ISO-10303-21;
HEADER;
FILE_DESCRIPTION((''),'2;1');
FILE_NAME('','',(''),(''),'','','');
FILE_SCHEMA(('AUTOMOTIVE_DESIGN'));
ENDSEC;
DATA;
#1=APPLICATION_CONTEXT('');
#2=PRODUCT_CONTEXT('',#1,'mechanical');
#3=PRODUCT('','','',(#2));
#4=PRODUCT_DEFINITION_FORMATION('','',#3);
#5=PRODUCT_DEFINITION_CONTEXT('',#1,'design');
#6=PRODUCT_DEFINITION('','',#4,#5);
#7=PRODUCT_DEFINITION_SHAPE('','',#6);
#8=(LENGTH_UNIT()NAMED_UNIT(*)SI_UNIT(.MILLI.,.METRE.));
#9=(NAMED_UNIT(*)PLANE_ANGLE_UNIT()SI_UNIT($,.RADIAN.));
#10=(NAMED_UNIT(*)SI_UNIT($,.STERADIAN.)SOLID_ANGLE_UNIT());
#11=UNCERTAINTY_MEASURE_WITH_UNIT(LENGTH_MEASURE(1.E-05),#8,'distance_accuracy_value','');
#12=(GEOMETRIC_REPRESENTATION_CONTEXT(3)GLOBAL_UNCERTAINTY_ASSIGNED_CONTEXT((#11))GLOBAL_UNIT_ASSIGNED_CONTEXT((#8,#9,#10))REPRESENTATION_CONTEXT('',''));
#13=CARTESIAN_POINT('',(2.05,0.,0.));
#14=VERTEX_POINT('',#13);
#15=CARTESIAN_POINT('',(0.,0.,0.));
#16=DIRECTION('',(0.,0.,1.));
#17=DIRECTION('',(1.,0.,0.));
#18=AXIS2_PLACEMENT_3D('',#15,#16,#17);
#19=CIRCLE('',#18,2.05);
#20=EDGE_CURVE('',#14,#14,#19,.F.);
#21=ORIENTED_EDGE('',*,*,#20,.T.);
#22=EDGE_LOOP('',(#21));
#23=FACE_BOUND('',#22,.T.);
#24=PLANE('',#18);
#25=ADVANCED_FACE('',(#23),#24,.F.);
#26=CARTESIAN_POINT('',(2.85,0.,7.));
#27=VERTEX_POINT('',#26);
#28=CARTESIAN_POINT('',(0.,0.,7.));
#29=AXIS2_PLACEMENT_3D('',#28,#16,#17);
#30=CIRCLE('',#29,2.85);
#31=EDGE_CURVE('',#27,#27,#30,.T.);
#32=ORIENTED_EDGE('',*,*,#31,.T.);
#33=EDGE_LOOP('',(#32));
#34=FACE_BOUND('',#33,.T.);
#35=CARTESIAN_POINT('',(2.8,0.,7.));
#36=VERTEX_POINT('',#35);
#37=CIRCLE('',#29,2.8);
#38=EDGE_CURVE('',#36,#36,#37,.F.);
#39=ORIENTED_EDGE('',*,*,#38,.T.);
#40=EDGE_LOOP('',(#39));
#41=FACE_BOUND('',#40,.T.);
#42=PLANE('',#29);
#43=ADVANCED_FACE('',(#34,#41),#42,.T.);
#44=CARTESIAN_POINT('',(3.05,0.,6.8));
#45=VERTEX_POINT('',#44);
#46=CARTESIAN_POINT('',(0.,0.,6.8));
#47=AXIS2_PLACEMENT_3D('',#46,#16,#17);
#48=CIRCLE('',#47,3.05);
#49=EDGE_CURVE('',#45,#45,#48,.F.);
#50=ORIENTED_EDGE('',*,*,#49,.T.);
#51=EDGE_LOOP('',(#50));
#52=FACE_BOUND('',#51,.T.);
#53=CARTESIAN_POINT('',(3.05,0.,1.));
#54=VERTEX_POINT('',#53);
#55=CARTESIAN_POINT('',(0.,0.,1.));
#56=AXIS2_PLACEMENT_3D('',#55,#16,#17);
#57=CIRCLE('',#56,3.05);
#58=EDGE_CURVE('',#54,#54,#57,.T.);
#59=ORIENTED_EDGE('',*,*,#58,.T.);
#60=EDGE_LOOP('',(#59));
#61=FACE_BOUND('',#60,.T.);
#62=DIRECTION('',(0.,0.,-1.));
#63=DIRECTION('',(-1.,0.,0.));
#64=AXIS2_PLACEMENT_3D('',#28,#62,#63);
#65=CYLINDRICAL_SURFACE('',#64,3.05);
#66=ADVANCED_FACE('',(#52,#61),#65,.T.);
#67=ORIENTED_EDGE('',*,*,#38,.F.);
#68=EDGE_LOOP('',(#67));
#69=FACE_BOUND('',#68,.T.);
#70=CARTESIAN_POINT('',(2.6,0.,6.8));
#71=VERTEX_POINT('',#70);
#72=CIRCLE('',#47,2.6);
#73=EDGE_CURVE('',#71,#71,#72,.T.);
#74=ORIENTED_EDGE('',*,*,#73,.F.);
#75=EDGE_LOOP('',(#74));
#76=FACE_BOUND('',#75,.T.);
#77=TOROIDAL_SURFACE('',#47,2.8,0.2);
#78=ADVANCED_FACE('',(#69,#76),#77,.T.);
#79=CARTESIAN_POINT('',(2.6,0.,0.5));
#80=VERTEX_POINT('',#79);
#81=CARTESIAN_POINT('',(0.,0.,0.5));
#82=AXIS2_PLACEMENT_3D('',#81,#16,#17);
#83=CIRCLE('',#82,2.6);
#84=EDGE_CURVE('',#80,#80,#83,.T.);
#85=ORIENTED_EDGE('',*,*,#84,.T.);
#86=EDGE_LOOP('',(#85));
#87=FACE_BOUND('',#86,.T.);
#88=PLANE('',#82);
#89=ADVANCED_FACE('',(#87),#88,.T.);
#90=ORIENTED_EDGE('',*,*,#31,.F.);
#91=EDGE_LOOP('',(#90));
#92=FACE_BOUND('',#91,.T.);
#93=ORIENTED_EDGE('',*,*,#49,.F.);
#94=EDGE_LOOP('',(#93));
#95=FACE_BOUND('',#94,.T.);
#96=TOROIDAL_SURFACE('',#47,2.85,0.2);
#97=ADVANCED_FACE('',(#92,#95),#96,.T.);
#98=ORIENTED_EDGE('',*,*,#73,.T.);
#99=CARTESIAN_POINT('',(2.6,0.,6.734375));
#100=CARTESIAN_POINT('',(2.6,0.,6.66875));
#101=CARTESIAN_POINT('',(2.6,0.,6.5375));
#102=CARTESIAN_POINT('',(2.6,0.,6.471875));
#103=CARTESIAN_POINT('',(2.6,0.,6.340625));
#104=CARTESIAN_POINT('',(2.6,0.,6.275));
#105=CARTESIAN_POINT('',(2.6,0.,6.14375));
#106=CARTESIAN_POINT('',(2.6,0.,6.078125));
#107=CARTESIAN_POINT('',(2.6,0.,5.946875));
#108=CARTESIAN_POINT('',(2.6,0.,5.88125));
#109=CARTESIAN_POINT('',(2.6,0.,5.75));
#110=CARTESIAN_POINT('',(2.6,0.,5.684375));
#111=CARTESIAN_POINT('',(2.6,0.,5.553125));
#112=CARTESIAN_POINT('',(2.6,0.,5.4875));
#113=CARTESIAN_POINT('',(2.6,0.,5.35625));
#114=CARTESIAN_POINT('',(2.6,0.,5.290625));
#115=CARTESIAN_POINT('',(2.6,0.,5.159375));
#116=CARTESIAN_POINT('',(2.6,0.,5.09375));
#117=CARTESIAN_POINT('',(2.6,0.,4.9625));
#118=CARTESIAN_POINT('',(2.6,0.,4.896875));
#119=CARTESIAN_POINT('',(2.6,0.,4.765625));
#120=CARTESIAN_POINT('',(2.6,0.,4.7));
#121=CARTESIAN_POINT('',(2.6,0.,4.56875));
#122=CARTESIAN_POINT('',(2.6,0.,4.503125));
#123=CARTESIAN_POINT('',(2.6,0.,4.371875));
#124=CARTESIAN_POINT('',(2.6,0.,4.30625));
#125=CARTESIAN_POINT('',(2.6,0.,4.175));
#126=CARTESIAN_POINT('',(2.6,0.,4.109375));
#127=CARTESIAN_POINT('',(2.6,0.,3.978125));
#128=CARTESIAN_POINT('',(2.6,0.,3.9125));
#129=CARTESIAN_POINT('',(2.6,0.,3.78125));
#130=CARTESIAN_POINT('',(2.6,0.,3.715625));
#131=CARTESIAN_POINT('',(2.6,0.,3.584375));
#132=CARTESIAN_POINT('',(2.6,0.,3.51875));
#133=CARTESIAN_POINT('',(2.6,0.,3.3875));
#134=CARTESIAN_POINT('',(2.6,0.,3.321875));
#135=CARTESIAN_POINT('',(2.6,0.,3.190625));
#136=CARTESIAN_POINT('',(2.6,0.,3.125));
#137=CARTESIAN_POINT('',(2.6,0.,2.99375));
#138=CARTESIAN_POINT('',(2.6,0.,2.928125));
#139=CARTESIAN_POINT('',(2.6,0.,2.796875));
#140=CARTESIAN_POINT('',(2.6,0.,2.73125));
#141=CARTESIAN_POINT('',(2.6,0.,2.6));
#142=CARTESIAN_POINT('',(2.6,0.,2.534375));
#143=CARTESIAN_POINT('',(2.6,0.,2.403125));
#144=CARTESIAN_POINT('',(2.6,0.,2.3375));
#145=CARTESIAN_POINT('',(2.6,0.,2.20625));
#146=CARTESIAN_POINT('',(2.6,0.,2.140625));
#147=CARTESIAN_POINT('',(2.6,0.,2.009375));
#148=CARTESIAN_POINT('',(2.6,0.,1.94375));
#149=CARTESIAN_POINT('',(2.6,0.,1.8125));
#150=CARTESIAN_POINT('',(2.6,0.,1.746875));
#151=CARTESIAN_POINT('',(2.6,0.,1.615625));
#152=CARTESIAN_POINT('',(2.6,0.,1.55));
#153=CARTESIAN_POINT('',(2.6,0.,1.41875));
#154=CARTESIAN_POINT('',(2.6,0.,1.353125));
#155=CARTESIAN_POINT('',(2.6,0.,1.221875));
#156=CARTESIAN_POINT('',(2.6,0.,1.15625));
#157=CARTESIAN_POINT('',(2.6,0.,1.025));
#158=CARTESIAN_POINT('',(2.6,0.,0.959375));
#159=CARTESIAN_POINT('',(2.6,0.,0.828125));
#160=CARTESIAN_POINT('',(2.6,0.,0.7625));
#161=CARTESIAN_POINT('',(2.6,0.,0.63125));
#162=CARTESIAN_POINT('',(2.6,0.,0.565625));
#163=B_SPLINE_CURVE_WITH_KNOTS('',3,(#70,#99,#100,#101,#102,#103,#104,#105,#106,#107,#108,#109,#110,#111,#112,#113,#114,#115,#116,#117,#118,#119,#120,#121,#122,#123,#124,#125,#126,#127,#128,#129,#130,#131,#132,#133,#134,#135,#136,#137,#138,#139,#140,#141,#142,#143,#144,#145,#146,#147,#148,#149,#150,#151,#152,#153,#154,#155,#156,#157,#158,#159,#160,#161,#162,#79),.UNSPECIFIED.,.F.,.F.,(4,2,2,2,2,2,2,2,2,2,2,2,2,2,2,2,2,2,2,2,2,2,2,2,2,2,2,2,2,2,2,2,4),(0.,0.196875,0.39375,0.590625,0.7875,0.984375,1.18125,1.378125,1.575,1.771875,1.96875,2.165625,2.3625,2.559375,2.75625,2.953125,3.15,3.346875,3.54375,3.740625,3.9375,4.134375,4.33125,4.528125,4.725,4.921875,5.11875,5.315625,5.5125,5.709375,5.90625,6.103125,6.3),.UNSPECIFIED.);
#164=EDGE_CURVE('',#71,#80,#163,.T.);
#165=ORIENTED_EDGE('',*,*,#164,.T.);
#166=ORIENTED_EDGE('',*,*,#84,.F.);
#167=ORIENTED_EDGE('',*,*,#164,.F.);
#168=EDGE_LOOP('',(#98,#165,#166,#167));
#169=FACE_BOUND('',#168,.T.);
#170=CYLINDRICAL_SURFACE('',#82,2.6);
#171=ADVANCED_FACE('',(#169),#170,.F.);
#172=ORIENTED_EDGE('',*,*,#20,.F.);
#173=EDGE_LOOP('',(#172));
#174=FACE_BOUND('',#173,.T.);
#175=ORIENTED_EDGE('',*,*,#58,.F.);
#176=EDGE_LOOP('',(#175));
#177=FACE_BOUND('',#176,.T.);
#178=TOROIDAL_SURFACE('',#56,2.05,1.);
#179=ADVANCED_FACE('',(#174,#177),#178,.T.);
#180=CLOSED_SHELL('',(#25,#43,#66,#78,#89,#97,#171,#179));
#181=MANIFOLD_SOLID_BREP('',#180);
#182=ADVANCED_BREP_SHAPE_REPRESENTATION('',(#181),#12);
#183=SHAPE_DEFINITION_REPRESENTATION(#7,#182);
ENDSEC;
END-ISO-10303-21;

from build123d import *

# Parameters (mm, degrees)
SKETCH1_R           = 3.05
BOSS_EXTRUDE1_DEPTH = 7
SKETCH2_R           = 2.6
CUT_EXTRUDE1_DEPTH  = 6.5
FILLET1_R           = 0.2
FILLET2_R           = 1


with BuildPart() as part:
    # Sketch1 → Boss-Extrude1 (new body)
    with BuildSketch(Plane.XY):
        Circle(SKETCH1_R)
    extrude(amount=BOSS_EXTRUDE1_DEPTH)

    # Sketch2 → Cut-Extrude1 (cut)
    with BuildSketch(Plane.XY.offset(7)):
        Circle(SKETCH2_R)
    extrude(amount=-CUT_EXTRUDE1_DEPTH, mode=Mode.SUBTRACT)

    # Fillet1
    fillet1_edges = [part.edges().sort_by_distance(p)[0] for p in [
        (-3.05, 0, 7),
        (-2.6, 0, 7),
    ]]
    fillet(fillet1_edges, radius=FILLET1_R)

    # Fillet2
    fillet2_edges = [part.edges().sort_by_distance(p)[0] for p in [
        (-3.05, 0, 0),
    ]]
    fillet(fillet2_edges, radius=FILLET2_R)


solid = part.part
